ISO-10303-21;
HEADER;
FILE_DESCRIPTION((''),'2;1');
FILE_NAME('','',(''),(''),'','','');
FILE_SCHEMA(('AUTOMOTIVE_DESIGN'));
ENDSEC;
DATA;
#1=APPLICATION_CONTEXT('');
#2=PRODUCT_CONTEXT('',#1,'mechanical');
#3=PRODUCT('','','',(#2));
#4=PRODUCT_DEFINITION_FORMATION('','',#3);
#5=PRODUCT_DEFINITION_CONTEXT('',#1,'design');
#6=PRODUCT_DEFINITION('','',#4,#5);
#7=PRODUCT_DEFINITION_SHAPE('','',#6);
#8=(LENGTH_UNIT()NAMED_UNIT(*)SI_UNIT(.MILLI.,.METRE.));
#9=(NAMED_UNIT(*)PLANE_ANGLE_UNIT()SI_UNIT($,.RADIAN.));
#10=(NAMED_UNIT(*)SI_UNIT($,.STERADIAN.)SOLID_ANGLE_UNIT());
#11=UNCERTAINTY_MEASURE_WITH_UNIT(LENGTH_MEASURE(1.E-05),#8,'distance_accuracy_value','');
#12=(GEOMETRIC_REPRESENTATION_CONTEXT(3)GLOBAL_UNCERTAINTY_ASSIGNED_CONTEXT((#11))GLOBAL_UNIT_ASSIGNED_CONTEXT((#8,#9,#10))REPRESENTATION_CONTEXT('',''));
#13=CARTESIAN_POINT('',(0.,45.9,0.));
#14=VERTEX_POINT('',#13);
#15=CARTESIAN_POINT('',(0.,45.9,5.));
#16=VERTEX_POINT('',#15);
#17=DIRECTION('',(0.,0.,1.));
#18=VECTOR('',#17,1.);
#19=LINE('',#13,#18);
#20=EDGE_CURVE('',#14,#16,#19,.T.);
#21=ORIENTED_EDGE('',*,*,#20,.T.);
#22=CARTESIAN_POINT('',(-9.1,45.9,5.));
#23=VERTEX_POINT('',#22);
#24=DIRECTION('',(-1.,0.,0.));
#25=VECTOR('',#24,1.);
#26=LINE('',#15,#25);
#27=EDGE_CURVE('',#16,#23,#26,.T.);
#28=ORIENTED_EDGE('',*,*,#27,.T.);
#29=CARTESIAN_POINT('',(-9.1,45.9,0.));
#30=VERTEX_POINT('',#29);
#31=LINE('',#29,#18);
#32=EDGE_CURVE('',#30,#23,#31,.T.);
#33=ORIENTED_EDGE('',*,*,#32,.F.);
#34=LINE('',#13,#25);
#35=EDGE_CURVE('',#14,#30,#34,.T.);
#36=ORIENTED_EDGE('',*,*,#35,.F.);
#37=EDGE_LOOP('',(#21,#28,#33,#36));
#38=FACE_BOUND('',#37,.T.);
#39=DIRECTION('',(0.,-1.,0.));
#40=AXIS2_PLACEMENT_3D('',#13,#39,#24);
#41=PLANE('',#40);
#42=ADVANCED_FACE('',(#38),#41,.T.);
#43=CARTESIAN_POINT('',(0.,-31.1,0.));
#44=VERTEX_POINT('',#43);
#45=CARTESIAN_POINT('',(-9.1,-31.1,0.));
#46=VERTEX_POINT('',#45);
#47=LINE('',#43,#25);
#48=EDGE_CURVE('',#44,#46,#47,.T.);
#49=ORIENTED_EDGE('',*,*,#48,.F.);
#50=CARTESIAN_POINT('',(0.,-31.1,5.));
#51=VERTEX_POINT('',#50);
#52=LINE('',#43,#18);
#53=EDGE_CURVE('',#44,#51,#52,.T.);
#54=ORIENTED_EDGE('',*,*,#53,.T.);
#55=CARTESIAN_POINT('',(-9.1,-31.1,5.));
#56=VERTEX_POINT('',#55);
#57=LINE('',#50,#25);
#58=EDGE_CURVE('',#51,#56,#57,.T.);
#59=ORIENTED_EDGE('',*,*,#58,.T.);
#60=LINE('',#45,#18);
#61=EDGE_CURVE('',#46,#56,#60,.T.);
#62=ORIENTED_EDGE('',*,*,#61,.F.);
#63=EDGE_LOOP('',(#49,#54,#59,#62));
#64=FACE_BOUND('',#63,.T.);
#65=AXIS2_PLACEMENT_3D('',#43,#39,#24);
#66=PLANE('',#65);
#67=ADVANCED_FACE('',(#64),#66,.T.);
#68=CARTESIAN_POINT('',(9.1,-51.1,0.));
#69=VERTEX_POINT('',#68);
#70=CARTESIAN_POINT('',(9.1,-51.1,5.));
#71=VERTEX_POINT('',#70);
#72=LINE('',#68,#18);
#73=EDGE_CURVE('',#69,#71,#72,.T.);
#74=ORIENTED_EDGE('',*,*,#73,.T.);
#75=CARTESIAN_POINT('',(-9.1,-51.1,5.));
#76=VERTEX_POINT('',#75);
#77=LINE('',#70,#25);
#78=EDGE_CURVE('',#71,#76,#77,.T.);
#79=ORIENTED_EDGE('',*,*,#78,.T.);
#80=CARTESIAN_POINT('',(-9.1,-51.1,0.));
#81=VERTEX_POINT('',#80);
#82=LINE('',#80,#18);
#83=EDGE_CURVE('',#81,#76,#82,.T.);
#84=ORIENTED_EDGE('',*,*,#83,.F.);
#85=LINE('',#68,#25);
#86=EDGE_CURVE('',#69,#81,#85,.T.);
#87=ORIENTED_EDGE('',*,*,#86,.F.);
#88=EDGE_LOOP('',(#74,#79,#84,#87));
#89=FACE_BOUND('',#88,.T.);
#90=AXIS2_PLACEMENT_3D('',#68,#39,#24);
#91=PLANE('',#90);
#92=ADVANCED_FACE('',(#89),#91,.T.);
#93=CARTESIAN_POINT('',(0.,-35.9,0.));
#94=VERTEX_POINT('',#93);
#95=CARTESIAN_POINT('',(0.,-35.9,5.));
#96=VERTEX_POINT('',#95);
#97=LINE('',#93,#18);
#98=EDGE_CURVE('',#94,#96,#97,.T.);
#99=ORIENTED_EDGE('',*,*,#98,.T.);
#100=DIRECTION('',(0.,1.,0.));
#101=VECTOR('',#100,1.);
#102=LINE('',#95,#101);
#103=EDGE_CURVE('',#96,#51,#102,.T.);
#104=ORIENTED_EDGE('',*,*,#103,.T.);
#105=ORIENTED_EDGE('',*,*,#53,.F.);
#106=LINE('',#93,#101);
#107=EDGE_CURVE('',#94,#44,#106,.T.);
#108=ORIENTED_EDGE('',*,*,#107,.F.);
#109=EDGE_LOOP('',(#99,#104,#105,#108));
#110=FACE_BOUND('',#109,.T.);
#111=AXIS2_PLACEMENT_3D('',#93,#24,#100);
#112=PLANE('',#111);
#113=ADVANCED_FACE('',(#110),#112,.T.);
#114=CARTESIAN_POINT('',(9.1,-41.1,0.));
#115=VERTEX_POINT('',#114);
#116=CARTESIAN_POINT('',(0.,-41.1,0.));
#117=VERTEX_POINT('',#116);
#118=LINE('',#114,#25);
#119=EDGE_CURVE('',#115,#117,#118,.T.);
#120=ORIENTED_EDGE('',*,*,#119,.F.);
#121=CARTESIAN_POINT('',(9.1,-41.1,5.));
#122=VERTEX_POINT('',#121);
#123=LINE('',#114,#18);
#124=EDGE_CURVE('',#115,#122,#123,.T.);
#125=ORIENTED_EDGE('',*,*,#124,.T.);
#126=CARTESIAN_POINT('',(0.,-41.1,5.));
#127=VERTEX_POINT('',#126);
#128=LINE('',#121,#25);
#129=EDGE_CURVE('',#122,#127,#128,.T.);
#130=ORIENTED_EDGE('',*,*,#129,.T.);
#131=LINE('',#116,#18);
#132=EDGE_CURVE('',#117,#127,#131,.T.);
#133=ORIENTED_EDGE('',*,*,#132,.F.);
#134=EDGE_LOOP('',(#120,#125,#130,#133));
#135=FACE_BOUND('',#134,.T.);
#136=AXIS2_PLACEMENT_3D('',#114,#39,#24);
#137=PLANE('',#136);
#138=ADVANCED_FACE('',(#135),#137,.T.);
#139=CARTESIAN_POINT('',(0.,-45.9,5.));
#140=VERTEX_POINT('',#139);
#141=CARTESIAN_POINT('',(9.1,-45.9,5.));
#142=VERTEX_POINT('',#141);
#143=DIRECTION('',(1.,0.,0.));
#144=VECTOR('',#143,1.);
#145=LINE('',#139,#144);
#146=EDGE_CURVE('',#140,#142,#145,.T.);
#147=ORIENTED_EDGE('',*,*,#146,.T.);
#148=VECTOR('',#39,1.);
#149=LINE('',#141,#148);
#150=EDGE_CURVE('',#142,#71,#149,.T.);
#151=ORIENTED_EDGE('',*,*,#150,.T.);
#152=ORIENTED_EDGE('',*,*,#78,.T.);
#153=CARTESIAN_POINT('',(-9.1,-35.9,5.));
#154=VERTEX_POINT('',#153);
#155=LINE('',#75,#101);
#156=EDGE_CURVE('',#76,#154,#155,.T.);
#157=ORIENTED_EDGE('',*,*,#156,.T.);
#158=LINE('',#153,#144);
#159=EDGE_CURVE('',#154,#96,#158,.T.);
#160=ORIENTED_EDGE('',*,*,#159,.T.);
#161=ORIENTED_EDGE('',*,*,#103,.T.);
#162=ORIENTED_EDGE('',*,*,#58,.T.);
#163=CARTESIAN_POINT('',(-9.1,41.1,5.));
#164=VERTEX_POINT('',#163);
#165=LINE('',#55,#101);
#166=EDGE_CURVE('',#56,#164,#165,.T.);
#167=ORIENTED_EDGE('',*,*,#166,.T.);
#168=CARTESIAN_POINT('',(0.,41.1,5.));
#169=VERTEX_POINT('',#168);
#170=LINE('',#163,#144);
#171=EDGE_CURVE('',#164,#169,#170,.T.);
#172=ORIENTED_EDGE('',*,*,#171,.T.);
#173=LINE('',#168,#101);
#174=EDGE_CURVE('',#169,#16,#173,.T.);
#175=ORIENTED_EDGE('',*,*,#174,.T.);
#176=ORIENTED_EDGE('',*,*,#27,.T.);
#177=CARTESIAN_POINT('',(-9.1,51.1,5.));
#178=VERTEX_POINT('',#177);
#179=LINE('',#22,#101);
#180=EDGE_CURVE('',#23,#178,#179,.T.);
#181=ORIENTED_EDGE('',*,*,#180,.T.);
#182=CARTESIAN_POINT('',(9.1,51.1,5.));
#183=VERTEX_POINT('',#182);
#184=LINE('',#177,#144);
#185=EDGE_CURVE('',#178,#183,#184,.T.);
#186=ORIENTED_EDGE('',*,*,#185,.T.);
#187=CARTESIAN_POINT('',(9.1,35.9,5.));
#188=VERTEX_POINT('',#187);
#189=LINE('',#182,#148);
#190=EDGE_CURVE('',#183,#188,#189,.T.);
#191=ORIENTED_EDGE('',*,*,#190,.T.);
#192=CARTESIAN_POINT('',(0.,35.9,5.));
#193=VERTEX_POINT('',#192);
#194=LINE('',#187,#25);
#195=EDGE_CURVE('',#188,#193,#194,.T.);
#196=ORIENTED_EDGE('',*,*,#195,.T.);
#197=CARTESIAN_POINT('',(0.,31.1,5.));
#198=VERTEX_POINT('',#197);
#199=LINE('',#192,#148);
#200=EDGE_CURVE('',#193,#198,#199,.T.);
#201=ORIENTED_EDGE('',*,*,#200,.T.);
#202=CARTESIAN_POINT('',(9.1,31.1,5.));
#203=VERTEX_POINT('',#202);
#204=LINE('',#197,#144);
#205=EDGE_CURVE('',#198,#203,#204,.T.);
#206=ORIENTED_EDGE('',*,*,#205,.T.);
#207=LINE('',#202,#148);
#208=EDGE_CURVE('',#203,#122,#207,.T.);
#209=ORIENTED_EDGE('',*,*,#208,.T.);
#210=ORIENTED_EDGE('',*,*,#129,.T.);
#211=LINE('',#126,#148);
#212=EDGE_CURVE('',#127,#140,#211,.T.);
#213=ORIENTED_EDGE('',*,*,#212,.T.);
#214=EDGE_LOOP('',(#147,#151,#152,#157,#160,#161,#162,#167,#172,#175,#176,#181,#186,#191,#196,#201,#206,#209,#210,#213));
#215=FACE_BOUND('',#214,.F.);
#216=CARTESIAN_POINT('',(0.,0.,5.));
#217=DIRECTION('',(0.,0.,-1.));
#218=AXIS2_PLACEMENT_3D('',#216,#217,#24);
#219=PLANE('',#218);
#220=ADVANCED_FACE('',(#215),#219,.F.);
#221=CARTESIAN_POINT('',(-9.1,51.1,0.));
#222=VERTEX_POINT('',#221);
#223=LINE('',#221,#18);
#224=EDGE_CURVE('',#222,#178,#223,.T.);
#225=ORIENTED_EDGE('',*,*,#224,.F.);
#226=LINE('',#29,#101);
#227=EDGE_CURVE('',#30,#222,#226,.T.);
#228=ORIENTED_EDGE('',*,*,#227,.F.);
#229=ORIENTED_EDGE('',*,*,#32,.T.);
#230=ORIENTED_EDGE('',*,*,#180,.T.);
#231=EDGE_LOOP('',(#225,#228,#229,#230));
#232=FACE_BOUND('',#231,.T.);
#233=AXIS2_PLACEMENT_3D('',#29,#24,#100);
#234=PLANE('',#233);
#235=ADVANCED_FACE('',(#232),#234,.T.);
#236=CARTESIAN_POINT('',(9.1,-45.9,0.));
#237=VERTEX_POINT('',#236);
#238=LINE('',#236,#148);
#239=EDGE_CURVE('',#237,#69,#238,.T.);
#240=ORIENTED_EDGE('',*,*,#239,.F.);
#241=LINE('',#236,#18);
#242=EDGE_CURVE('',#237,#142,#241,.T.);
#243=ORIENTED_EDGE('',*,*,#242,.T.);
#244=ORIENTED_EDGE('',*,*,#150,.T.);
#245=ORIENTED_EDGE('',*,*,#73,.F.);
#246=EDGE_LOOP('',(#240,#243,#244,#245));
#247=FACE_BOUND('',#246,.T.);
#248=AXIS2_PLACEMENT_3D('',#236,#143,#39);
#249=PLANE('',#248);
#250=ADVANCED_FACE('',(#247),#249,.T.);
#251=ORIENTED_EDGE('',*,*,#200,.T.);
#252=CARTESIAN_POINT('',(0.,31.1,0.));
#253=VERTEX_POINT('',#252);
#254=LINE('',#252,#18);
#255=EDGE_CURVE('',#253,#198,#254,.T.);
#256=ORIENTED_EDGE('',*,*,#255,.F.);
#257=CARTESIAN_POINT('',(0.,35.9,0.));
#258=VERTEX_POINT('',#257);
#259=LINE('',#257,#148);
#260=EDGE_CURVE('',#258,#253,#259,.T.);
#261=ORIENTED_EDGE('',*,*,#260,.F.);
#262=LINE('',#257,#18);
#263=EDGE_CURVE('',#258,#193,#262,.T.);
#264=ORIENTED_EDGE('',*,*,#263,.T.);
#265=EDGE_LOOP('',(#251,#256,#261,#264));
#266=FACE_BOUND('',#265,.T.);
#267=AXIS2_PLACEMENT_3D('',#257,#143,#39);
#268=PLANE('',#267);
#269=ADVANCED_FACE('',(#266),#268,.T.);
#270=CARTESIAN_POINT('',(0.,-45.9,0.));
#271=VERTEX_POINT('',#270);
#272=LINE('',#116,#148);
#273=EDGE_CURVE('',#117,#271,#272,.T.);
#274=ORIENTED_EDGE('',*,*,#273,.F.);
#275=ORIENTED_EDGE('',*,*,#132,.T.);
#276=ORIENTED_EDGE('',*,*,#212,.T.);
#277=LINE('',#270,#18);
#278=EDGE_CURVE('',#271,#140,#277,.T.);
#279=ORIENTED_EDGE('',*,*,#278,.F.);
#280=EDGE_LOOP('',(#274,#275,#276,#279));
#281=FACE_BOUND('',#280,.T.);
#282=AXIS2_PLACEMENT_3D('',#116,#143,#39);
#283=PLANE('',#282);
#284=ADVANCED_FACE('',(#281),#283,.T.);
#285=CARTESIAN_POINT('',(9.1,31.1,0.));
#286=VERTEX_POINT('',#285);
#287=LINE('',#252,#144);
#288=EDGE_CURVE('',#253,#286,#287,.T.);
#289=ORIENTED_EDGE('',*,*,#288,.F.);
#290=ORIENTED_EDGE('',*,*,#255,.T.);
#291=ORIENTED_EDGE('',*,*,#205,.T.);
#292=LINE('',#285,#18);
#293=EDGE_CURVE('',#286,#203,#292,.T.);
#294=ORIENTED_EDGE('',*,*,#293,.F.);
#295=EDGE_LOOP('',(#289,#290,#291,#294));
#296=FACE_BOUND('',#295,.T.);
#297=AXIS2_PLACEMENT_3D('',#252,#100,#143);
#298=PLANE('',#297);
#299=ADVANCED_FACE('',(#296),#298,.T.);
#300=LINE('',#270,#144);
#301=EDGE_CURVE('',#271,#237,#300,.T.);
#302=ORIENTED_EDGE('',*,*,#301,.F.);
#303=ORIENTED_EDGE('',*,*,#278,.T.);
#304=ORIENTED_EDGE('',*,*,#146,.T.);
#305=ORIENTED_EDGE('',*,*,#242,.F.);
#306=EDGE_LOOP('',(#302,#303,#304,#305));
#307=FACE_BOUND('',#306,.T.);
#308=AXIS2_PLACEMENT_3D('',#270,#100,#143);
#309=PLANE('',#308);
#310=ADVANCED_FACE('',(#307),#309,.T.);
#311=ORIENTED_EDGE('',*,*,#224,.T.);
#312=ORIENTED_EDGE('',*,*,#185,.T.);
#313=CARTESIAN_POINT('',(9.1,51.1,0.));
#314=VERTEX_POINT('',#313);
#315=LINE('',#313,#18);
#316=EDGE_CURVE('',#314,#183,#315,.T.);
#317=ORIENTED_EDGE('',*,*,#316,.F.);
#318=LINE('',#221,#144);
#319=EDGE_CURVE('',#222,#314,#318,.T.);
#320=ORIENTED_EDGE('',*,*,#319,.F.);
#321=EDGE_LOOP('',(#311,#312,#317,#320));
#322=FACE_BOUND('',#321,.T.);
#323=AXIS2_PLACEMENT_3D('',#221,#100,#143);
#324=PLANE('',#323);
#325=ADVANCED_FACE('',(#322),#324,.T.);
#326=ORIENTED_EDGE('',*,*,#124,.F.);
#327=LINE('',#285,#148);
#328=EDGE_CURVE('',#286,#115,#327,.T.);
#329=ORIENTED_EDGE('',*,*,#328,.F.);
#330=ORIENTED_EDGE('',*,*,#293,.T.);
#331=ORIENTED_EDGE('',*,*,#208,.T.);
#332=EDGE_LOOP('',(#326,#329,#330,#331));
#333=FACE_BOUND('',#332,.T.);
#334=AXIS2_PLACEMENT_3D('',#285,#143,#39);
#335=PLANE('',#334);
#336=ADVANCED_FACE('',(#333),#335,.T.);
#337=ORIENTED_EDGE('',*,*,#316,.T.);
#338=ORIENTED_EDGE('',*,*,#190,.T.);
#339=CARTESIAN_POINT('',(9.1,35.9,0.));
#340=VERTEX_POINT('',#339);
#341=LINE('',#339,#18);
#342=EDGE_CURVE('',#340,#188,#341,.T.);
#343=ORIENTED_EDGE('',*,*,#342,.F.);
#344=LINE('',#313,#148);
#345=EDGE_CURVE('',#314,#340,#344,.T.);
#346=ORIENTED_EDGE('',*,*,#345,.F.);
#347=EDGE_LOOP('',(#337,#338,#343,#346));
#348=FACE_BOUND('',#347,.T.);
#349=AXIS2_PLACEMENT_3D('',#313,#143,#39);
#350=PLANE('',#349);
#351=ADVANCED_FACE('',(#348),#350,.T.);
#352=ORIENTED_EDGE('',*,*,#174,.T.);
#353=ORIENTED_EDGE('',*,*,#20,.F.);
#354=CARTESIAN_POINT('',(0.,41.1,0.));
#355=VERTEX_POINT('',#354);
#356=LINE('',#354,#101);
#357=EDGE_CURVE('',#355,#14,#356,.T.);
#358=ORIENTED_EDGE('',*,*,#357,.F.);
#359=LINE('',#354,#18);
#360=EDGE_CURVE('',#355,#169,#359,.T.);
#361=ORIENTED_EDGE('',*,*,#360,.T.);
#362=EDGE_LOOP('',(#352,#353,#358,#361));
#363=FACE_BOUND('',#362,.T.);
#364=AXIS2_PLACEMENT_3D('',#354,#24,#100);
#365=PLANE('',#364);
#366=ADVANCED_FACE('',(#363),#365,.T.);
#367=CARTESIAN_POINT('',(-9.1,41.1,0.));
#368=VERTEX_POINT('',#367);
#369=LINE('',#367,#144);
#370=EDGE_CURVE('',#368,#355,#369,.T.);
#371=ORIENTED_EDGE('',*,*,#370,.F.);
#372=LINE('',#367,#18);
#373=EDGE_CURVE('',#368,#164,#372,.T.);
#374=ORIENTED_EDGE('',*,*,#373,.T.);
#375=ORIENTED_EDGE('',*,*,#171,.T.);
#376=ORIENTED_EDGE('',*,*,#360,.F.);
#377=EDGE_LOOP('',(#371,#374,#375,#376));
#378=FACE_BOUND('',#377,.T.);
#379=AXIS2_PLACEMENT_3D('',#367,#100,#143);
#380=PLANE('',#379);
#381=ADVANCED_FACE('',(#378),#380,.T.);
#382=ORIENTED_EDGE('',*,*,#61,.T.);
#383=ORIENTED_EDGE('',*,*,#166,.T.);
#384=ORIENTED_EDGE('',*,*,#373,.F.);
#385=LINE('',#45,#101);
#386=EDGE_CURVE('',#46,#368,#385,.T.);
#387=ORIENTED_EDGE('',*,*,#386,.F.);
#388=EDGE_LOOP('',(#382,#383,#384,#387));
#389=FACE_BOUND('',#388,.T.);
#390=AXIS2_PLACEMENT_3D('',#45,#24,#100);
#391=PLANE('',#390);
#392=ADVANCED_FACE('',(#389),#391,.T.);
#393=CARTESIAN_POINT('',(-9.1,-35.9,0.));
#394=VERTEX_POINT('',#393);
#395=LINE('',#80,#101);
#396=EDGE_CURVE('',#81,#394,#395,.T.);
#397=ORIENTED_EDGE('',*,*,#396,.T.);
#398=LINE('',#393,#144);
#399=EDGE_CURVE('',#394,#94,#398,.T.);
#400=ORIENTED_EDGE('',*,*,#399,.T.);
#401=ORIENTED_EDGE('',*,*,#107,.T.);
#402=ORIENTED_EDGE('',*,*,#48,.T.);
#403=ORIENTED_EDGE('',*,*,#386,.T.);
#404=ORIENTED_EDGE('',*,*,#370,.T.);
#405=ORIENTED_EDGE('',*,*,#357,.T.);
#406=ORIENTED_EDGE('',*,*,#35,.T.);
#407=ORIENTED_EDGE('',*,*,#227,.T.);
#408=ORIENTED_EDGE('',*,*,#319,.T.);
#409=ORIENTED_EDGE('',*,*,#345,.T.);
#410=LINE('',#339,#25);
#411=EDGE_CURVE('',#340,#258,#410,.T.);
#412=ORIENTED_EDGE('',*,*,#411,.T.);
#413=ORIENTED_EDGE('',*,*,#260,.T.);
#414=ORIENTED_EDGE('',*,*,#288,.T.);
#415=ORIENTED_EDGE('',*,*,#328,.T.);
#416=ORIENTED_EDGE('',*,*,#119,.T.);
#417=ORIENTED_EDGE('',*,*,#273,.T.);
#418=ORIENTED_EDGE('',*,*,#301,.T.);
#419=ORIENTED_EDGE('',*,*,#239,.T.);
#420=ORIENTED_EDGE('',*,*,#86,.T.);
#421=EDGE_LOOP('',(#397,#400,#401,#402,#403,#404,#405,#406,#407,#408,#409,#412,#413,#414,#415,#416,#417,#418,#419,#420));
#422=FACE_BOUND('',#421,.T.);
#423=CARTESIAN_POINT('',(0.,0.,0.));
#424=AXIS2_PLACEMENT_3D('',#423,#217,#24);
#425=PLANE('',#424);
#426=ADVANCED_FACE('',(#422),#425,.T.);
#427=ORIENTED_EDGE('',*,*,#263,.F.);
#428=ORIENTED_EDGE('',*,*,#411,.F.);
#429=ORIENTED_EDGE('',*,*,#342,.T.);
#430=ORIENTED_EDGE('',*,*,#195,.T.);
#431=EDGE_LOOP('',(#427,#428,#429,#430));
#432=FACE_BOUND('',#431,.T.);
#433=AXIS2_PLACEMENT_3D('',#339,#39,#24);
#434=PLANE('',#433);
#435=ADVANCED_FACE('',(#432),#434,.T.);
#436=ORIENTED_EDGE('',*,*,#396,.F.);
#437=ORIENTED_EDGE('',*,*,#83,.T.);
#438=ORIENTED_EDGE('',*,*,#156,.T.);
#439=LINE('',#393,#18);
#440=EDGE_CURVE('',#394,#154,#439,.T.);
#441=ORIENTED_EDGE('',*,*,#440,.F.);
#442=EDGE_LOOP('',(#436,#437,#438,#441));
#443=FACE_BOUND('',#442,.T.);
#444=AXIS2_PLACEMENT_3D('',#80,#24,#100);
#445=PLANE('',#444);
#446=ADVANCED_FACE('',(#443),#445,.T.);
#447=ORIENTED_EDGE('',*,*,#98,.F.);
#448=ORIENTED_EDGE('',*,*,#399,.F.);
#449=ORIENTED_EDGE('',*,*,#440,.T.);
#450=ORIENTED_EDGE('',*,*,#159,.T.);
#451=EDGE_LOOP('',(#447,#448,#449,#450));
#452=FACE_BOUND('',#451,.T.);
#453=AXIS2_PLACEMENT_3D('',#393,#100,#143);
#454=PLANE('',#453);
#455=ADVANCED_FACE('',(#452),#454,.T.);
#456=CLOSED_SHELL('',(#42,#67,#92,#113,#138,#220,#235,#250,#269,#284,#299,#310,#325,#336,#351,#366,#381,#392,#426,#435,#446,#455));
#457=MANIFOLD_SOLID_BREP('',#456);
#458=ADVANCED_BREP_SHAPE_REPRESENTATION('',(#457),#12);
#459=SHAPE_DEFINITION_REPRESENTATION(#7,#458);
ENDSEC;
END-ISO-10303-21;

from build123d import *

# Parameters (mm, degrees)
PAD_DEPTH = 5


with BuildPart() as part:
    # Sketch → Pad (new body)
    with BuildSketch(Plane.XY):
        Polygon((-9.1, 51.1), (9.1, 51.1), (9.1, 35.9), (0, 35.9), (0, 31.1), (9.1, 31.1), (9.1, -41.1), (0, -41.1), (0, -45.9), (9.1, -45.9), (9.1, -51.1), (-9.1, -51.1), (-9.1, -35.9), (0, -35.9), (0, -31.1), (-9.1, -31.1), (-9.1, 41.1), (0, 41.1), (0, 45.9), (-9.1, 45.9), align=None)
    extrude(amount=PAD_DEPTH)


solid = part.part
